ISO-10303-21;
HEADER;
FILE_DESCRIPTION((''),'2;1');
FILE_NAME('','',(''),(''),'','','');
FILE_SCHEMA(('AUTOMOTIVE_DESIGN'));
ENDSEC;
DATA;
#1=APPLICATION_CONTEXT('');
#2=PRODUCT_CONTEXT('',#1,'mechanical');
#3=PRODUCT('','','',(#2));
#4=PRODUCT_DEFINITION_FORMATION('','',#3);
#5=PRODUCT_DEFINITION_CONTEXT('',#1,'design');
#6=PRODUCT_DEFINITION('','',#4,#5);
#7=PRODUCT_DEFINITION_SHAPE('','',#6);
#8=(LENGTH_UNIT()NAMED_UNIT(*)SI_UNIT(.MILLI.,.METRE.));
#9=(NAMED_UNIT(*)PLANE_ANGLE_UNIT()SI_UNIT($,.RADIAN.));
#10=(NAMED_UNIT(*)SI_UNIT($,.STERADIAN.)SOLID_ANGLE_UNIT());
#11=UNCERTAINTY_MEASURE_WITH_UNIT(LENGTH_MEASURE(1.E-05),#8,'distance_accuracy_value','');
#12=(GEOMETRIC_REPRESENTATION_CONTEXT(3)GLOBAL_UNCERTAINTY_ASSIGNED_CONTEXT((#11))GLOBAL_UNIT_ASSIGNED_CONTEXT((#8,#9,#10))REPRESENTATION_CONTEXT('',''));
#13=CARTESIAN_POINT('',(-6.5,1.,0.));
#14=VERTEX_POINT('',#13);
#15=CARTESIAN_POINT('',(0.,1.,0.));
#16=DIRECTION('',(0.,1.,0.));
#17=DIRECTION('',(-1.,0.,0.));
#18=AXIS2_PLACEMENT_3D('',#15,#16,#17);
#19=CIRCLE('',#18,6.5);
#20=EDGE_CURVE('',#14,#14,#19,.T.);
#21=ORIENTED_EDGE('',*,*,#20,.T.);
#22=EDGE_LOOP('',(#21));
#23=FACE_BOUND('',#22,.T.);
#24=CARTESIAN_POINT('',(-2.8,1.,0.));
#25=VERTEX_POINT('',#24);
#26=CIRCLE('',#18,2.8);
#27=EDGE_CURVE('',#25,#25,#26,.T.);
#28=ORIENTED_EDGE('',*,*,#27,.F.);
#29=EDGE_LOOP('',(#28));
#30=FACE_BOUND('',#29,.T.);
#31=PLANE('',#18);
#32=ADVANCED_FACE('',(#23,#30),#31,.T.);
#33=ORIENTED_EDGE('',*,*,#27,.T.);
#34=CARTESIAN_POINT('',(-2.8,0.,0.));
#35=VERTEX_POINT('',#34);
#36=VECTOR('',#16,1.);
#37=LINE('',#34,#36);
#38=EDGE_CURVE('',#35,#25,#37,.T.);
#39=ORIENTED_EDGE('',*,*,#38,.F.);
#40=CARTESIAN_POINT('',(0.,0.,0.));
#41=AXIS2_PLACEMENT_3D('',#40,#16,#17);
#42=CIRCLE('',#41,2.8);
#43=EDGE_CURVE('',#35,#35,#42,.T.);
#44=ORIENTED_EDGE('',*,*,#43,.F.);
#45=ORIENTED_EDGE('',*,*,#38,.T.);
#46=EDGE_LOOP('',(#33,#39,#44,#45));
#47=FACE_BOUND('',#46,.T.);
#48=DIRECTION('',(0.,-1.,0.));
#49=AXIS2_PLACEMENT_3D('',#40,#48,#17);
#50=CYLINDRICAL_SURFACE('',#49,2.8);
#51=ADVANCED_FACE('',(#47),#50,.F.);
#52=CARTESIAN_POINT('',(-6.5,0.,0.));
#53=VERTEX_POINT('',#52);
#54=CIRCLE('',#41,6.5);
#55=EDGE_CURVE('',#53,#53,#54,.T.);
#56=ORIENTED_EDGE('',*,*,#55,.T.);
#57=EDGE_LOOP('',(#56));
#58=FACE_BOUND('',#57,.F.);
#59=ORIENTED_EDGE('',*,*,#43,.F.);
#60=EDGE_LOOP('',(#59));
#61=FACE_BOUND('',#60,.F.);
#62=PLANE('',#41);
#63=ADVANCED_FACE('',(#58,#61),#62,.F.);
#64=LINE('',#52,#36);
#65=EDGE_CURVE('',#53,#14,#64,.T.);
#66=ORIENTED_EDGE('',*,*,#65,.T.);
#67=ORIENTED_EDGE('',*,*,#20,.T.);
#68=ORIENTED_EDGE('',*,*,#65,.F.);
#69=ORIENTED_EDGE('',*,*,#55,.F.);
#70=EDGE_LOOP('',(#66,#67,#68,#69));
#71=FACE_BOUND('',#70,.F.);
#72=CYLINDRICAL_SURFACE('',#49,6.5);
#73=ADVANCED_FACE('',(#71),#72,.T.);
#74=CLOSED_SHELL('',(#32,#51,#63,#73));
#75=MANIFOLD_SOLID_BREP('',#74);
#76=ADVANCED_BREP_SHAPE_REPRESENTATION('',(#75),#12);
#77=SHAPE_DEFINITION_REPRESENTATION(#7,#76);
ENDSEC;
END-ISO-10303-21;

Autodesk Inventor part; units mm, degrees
ref_plane "YZ Plane" through (0, 0, 0) normal (1, 0, 0) x (0, 1, 0)
ref_plane "XZ Plane" through (0, 0, 0) normal (0, 1, 0) x (-1, 0, 0)
ref_plane "XY Plane" through (0, 0, 0) normal (0, 0, 1) x (1, 0, 0)
sketch "Sketch1" plane through (0, 0, 0) normal (0, 1, 0) x (-1, 0, 0)
  circle A0 centre (0, 0) radius 6.5
  circle A1 centre (0, 0) radius 2.8
  dimension "d0" = 13
  dimension "d1" = 5.6
extrude "Extrusion1" add sketch "Sketch1" along normal blind 1
properties part number "Arandela_3_16" material "Stainless Steel"
